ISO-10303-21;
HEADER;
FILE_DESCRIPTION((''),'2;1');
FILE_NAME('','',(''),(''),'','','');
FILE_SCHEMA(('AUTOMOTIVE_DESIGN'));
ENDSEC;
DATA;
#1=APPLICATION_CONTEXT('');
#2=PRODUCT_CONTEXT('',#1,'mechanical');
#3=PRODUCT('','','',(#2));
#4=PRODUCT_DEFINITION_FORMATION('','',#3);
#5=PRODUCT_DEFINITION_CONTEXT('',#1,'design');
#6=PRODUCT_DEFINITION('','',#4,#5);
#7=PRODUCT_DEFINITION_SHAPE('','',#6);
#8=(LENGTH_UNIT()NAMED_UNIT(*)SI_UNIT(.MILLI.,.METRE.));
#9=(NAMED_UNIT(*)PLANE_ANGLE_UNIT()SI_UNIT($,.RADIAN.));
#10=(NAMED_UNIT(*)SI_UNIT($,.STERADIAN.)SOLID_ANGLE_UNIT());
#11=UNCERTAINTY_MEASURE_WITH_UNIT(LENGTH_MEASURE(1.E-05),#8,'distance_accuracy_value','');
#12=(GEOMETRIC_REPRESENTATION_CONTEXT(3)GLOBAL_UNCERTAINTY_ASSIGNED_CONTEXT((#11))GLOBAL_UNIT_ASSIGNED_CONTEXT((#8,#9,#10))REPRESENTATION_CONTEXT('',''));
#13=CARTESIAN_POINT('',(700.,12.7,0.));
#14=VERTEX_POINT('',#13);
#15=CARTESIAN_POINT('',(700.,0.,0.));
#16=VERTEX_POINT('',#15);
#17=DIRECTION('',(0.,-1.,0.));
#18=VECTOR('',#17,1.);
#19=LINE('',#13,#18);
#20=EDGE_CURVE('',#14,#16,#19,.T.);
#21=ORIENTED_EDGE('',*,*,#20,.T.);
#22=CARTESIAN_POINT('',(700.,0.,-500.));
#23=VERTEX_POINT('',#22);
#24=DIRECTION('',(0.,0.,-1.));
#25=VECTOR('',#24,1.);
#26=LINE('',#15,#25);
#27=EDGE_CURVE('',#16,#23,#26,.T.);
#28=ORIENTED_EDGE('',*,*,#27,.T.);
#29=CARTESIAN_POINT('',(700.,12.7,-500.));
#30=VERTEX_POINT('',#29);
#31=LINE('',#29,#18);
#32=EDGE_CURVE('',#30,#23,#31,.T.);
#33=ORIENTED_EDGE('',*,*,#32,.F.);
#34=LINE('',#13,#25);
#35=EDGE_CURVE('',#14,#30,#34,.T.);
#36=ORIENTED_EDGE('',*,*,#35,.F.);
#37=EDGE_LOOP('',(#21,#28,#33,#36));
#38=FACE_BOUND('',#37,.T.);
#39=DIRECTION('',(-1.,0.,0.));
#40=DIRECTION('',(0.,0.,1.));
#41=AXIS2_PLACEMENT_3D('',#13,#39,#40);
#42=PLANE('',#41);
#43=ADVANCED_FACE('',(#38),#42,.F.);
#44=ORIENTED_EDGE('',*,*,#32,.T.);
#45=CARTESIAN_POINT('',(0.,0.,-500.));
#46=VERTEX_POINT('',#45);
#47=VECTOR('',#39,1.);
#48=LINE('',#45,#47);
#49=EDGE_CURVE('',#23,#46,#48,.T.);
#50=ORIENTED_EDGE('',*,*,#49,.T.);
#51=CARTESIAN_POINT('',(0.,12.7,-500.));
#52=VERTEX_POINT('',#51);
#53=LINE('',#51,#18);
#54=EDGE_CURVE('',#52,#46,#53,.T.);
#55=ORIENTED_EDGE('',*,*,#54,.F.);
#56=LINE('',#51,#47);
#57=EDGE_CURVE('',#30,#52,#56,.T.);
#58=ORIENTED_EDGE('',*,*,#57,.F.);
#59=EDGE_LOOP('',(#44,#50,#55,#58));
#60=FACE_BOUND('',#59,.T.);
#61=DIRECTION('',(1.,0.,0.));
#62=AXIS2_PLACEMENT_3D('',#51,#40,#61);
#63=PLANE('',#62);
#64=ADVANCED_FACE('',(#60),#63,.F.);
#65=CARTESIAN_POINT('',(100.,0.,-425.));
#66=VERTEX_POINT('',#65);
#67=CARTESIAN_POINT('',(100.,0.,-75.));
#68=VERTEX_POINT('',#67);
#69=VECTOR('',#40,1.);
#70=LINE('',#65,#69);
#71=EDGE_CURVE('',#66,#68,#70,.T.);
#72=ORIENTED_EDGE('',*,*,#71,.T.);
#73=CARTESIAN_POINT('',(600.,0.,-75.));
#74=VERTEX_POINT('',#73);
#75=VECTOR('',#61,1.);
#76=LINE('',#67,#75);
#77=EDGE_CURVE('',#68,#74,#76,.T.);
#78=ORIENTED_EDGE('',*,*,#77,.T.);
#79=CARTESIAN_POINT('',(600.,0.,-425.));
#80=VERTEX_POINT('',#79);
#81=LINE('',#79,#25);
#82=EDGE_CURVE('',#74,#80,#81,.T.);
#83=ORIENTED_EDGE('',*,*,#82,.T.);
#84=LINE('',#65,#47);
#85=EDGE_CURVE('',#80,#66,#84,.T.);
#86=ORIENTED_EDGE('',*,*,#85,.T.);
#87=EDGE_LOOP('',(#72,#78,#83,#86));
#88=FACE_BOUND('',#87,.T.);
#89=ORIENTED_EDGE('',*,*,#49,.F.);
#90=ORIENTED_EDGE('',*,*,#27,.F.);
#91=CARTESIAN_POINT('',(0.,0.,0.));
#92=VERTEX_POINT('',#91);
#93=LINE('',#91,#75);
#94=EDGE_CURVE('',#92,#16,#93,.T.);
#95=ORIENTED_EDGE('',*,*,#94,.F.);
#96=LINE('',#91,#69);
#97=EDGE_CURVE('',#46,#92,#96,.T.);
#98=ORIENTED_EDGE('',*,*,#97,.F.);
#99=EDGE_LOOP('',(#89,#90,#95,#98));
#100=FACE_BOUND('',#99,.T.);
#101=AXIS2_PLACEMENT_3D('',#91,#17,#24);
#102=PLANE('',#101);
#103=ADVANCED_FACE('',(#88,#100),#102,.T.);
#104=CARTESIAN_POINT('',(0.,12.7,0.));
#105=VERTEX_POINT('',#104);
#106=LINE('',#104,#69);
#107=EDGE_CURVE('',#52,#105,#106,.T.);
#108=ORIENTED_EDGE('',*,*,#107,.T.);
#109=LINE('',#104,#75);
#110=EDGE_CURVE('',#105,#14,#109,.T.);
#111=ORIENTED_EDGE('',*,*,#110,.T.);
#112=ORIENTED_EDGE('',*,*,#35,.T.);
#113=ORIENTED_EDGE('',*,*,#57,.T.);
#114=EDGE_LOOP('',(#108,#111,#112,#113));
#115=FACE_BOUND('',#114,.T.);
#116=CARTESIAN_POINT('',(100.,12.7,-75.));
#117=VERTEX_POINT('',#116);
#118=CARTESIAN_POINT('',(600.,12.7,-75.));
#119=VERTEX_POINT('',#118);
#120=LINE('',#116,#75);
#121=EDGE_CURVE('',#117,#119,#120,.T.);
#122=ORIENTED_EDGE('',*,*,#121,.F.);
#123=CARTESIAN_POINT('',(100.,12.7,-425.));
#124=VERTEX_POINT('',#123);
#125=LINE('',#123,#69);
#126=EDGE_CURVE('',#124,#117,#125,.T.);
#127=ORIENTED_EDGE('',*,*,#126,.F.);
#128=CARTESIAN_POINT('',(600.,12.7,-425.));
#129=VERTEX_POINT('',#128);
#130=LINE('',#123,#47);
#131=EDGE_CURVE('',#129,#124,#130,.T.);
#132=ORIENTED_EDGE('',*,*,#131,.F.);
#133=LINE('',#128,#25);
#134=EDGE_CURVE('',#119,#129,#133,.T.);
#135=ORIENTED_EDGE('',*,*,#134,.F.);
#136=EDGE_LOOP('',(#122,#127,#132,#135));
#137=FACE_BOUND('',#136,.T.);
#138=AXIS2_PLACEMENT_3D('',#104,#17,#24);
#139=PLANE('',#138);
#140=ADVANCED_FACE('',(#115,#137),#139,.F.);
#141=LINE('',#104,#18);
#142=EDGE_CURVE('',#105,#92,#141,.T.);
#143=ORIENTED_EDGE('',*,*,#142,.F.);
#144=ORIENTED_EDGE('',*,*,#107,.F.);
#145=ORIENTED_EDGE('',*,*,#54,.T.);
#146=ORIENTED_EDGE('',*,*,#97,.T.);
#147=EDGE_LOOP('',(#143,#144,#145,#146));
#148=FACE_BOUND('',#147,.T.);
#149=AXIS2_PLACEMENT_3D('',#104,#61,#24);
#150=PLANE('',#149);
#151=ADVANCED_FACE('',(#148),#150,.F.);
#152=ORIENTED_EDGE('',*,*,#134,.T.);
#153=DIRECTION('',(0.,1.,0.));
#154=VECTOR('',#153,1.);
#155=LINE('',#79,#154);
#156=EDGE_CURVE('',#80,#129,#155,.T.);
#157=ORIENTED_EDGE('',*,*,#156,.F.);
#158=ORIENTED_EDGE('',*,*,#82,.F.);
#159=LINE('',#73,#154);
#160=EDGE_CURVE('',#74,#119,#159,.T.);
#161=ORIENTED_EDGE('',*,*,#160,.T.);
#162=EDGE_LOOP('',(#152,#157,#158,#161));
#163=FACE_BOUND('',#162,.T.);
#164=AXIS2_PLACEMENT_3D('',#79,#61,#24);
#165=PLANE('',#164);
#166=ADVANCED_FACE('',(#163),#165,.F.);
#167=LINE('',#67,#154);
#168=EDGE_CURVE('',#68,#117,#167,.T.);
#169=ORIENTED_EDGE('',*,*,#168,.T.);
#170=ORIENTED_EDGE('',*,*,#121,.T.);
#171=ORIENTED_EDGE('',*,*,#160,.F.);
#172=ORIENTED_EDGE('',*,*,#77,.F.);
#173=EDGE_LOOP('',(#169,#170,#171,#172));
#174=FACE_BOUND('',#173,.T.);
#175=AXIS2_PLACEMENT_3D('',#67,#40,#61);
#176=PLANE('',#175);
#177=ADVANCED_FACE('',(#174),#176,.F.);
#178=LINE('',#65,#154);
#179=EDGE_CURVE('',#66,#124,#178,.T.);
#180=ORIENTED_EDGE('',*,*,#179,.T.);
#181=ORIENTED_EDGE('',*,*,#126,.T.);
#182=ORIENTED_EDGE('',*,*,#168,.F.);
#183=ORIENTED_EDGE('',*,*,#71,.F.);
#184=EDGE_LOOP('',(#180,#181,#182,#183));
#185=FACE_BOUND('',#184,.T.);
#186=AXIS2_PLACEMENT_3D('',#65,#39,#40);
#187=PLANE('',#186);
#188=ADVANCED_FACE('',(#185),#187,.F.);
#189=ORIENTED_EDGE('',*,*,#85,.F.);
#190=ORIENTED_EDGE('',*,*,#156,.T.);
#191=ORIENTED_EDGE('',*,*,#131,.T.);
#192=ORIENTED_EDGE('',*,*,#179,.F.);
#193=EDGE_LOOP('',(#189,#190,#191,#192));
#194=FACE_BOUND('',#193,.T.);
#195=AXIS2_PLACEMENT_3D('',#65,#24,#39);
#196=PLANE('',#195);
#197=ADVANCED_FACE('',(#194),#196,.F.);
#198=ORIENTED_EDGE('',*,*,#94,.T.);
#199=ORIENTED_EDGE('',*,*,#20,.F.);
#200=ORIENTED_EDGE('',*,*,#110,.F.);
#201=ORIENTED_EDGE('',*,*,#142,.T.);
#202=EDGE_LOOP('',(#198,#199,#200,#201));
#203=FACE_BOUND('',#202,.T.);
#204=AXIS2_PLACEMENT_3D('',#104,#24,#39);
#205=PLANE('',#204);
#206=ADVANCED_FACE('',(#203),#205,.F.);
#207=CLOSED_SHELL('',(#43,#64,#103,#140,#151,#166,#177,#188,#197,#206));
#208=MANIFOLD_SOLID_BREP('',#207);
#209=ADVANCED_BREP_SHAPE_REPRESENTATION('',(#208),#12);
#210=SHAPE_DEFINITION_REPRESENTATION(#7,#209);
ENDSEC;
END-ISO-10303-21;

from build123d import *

# Parameters (mm, degrees)
SKETCH1_W           = 700
SKETCH1_H           = 500
BOSS_EXTRUDE1_DEPTH = 12.7
SKETCH2_W           = 500
SKETCH2_H           = 350
CUT_EXTRUDE1_DEPTH  = 861.326269505


with BuildPart() as part:
    # Sketch1 → Boss-Extrude1 (new body)
    with BuildSketch(Plane(origin=(0, 0, 0), x_dir=(1, 0, 0), z_dir=(0, 1, 0))):
        with Locations((350, 250)):
            Rectangle(SKETCH1_W, SKETCH1_H)
    extrude(amount=BOSS_EXTRUDE1_DEPTH)

    # Sketch2 → Cut-Extrude1 (cut, through all)
    with BuildSketch(Plane(origin=(0, 12.7, 0), x_dir=(1, 0, 0), z_dir=(0, 1, 0))):
        with Locations((350, 250)):
            Rectangle(SKETCH2_W, SKETCH2_H)
    extrude(amount=-CUT_EXTRUDE1_DEPTH, mode=Mode.SUBTRACT)


solid = part.part
